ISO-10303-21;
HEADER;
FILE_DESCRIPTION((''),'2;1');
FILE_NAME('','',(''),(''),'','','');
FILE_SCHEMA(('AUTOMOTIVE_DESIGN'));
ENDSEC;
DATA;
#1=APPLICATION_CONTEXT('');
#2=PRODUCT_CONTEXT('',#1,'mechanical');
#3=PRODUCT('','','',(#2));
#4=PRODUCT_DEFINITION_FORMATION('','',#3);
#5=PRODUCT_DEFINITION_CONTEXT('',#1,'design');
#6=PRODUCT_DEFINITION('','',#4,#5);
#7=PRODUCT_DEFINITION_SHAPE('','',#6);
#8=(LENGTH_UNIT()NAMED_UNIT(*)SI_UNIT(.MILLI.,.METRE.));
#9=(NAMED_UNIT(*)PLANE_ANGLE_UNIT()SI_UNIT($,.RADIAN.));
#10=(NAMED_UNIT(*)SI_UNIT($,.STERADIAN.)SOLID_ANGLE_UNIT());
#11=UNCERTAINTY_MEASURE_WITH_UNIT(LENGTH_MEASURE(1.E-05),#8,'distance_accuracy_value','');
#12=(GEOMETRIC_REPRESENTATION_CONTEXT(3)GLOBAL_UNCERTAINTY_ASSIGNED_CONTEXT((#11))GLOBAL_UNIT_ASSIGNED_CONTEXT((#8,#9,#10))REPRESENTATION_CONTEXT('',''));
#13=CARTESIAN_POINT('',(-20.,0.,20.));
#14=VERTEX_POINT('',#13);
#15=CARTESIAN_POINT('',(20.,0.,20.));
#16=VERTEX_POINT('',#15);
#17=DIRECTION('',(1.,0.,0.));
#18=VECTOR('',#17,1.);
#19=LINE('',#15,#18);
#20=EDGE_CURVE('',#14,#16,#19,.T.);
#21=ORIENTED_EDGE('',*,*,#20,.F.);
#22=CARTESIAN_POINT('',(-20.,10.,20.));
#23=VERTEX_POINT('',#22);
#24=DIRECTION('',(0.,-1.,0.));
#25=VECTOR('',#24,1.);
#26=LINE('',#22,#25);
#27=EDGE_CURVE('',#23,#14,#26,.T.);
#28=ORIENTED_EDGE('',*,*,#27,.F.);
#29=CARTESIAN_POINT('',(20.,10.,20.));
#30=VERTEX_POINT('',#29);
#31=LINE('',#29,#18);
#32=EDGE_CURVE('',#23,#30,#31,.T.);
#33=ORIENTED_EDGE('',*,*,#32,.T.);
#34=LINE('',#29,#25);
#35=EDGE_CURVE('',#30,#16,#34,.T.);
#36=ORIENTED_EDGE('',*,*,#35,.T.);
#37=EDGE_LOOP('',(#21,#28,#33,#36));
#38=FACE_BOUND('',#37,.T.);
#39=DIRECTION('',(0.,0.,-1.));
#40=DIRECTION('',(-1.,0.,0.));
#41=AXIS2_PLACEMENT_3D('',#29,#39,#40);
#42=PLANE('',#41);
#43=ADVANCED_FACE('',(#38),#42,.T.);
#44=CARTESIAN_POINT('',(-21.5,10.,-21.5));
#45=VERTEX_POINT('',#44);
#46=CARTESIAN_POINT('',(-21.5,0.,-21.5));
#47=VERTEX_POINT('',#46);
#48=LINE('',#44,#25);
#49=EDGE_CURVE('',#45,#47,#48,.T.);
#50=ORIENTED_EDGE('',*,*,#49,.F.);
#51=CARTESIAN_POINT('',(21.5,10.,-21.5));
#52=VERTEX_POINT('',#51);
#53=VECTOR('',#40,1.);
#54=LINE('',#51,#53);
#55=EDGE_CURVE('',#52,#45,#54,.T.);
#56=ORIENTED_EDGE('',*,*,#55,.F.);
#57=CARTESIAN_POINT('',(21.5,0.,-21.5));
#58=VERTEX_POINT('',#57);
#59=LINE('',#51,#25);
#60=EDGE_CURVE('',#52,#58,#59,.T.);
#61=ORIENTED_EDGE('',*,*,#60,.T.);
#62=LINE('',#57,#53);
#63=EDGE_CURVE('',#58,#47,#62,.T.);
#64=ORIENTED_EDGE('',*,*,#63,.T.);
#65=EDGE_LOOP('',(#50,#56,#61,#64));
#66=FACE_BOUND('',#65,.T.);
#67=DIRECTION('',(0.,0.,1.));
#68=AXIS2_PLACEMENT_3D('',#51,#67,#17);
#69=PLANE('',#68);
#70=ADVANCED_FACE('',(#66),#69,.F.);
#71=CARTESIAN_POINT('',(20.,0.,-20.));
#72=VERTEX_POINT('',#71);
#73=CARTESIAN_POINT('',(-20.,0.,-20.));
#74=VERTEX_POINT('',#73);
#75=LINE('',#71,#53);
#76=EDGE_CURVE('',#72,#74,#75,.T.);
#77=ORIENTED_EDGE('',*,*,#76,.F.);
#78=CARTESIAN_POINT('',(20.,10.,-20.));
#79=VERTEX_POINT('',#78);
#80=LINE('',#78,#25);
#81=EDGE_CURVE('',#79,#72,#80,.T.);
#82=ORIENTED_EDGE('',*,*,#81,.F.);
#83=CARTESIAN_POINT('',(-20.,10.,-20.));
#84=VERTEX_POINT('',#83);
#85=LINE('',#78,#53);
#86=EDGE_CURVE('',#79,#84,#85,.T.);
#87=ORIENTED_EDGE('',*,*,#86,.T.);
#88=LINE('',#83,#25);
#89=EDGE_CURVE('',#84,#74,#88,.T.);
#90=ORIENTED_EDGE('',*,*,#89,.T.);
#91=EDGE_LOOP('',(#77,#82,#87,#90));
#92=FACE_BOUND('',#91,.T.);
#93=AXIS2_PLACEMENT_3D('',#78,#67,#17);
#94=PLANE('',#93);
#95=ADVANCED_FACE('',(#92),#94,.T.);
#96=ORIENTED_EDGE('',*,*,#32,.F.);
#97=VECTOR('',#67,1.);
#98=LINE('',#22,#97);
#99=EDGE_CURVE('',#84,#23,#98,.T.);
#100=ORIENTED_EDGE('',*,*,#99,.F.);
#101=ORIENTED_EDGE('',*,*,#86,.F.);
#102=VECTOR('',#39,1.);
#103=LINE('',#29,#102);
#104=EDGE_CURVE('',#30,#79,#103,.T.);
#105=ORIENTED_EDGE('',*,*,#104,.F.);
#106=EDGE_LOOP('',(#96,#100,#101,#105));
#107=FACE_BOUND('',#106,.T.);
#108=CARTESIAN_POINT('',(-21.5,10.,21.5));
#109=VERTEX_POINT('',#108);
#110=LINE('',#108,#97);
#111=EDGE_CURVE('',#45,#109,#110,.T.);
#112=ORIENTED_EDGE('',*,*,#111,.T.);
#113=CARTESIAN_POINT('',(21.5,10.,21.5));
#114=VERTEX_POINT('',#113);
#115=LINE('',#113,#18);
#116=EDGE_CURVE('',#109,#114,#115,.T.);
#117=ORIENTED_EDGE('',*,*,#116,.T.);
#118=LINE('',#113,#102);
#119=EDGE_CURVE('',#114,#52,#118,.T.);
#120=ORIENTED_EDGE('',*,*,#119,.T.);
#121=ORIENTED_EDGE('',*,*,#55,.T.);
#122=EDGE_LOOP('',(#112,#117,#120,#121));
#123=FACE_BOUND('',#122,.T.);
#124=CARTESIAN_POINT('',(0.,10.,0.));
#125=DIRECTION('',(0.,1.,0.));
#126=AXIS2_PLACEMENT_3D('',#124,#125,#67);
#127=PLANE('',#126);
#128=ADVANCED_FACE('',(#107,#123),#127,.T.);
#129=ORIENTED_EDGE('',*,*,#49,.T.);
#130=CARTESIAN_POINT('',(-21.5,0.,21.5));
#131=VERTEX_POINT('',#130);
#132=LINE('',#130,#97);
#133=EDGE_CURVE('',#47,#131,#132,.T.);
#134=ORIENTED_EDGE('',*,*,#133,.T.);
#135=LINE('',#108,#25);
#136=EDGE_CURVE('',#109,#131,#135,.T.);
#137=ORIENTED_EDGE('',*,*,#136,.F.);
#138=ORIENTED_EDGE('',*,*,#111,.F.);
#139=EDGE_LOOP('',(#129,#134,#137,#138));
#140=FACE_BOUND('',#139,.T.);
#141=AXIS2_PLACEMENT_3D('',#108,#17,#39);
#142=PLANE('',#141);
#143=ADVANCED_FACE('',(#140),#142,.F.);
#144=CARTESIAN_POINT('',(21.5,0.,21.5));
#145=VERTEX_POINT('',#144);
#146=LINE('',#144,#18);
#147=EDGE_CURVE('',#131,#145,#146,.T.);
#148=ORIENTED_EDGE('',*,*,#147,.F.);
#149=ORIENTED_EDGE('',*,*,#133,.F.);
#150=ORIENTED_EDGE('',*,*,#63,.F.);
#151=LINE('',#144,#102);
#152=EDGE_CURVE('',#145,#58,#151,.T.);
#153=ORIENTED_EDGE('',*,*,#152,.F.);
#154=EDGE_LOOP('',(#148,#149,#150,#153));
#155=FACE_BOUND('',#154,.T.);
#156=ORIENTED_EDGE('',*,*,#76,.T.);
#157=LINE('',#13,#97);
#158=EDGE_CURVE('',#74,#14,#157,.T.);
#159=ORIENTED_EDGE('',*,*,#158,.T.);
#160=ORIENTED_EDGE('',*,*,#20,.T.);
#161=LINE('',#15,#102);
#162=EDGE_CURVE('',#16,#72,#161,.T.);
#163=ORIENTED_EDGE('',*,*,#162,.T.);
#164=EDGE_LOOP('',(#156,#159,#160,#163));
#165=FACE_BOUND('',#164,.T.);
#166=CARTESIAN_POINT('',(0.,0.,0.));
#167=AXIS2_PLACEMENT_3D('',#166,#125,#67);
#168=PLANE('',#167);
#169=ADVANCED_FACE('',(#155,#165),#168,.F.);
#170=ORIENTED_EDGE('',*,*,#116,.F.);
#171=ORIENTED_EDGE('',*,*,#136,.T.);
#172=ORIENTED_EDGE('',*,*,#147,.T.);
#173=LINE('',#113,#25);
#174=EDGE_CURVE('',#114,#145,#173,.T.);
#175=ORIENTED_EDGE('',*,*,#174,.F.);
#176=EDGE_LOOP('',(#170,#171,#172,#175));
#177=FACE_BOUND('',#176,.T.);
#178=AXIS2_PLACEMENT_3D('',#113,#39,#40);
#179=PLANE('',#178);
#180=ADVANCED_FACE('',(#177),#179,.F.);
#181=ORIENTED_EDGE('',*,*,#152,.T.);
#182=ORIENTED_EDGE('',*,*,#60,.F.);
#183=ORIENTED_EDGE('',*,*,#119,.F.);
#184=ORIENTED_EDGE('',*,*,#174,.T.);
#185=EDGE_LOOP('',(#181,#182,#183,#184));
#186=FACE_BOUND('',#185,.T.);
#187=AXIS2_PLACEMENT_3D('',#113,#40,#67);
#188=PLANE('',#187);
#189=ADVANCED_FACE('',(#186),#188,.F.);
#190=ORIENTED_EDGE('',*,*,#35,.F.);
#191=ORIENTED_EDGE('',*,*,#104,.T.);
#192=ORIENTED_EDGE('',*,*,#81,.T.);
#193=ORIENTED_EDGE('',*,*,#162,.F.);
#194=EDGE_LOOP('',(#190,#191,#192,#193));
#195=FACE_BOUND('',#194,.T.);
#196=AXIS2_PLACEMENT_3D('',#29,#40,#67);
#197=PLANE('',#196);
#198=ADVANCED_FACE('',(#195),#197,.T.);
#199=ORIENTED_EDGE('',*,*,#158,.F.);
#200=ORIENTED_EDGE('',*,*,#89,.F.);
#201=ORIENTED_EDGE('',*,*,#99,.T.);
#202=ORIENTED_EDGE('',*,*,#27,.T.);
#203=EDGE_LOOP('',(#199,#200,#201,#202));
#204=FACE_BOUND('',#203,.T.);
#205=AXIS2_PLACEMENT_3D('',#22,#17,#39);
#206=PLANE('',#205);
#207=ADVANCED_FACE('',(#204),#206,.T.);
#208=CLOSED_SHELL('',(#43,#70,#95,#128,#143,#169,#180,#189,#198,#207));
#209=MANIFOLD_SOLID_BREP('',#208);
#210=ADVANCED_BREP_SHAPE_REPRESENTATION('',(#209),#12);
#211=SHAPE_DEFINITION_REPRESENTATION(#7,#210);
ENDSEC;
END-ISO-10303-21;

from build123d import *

# Parameters (mm, degrees)
SKETCH1_W           = 43
SKETCH1_H           = 43
SKETCH1_W_2         = 40
SKETCH1_H_2         = 40
BOSS_EXTRUDE1_DEPTH = 10


with BuildPart() as part:
    # Sketch1 → Boss-Extrude1 (new body)
    with BuildSketch(Plane(origin=(0, 0, 0), x_dir=(1, 0, 0), z_dir=(0, 1, 0))):
        Rectangle(SKETCH1_W, SKETCH1_H)
        Rectangle(SKETCH1_W_2, SKETCH1_H_2, mode=Mode.SUBTRACT)
    extrude(amount=BOSS_EXTRUDE1_DEPTH)


solid = part.part
